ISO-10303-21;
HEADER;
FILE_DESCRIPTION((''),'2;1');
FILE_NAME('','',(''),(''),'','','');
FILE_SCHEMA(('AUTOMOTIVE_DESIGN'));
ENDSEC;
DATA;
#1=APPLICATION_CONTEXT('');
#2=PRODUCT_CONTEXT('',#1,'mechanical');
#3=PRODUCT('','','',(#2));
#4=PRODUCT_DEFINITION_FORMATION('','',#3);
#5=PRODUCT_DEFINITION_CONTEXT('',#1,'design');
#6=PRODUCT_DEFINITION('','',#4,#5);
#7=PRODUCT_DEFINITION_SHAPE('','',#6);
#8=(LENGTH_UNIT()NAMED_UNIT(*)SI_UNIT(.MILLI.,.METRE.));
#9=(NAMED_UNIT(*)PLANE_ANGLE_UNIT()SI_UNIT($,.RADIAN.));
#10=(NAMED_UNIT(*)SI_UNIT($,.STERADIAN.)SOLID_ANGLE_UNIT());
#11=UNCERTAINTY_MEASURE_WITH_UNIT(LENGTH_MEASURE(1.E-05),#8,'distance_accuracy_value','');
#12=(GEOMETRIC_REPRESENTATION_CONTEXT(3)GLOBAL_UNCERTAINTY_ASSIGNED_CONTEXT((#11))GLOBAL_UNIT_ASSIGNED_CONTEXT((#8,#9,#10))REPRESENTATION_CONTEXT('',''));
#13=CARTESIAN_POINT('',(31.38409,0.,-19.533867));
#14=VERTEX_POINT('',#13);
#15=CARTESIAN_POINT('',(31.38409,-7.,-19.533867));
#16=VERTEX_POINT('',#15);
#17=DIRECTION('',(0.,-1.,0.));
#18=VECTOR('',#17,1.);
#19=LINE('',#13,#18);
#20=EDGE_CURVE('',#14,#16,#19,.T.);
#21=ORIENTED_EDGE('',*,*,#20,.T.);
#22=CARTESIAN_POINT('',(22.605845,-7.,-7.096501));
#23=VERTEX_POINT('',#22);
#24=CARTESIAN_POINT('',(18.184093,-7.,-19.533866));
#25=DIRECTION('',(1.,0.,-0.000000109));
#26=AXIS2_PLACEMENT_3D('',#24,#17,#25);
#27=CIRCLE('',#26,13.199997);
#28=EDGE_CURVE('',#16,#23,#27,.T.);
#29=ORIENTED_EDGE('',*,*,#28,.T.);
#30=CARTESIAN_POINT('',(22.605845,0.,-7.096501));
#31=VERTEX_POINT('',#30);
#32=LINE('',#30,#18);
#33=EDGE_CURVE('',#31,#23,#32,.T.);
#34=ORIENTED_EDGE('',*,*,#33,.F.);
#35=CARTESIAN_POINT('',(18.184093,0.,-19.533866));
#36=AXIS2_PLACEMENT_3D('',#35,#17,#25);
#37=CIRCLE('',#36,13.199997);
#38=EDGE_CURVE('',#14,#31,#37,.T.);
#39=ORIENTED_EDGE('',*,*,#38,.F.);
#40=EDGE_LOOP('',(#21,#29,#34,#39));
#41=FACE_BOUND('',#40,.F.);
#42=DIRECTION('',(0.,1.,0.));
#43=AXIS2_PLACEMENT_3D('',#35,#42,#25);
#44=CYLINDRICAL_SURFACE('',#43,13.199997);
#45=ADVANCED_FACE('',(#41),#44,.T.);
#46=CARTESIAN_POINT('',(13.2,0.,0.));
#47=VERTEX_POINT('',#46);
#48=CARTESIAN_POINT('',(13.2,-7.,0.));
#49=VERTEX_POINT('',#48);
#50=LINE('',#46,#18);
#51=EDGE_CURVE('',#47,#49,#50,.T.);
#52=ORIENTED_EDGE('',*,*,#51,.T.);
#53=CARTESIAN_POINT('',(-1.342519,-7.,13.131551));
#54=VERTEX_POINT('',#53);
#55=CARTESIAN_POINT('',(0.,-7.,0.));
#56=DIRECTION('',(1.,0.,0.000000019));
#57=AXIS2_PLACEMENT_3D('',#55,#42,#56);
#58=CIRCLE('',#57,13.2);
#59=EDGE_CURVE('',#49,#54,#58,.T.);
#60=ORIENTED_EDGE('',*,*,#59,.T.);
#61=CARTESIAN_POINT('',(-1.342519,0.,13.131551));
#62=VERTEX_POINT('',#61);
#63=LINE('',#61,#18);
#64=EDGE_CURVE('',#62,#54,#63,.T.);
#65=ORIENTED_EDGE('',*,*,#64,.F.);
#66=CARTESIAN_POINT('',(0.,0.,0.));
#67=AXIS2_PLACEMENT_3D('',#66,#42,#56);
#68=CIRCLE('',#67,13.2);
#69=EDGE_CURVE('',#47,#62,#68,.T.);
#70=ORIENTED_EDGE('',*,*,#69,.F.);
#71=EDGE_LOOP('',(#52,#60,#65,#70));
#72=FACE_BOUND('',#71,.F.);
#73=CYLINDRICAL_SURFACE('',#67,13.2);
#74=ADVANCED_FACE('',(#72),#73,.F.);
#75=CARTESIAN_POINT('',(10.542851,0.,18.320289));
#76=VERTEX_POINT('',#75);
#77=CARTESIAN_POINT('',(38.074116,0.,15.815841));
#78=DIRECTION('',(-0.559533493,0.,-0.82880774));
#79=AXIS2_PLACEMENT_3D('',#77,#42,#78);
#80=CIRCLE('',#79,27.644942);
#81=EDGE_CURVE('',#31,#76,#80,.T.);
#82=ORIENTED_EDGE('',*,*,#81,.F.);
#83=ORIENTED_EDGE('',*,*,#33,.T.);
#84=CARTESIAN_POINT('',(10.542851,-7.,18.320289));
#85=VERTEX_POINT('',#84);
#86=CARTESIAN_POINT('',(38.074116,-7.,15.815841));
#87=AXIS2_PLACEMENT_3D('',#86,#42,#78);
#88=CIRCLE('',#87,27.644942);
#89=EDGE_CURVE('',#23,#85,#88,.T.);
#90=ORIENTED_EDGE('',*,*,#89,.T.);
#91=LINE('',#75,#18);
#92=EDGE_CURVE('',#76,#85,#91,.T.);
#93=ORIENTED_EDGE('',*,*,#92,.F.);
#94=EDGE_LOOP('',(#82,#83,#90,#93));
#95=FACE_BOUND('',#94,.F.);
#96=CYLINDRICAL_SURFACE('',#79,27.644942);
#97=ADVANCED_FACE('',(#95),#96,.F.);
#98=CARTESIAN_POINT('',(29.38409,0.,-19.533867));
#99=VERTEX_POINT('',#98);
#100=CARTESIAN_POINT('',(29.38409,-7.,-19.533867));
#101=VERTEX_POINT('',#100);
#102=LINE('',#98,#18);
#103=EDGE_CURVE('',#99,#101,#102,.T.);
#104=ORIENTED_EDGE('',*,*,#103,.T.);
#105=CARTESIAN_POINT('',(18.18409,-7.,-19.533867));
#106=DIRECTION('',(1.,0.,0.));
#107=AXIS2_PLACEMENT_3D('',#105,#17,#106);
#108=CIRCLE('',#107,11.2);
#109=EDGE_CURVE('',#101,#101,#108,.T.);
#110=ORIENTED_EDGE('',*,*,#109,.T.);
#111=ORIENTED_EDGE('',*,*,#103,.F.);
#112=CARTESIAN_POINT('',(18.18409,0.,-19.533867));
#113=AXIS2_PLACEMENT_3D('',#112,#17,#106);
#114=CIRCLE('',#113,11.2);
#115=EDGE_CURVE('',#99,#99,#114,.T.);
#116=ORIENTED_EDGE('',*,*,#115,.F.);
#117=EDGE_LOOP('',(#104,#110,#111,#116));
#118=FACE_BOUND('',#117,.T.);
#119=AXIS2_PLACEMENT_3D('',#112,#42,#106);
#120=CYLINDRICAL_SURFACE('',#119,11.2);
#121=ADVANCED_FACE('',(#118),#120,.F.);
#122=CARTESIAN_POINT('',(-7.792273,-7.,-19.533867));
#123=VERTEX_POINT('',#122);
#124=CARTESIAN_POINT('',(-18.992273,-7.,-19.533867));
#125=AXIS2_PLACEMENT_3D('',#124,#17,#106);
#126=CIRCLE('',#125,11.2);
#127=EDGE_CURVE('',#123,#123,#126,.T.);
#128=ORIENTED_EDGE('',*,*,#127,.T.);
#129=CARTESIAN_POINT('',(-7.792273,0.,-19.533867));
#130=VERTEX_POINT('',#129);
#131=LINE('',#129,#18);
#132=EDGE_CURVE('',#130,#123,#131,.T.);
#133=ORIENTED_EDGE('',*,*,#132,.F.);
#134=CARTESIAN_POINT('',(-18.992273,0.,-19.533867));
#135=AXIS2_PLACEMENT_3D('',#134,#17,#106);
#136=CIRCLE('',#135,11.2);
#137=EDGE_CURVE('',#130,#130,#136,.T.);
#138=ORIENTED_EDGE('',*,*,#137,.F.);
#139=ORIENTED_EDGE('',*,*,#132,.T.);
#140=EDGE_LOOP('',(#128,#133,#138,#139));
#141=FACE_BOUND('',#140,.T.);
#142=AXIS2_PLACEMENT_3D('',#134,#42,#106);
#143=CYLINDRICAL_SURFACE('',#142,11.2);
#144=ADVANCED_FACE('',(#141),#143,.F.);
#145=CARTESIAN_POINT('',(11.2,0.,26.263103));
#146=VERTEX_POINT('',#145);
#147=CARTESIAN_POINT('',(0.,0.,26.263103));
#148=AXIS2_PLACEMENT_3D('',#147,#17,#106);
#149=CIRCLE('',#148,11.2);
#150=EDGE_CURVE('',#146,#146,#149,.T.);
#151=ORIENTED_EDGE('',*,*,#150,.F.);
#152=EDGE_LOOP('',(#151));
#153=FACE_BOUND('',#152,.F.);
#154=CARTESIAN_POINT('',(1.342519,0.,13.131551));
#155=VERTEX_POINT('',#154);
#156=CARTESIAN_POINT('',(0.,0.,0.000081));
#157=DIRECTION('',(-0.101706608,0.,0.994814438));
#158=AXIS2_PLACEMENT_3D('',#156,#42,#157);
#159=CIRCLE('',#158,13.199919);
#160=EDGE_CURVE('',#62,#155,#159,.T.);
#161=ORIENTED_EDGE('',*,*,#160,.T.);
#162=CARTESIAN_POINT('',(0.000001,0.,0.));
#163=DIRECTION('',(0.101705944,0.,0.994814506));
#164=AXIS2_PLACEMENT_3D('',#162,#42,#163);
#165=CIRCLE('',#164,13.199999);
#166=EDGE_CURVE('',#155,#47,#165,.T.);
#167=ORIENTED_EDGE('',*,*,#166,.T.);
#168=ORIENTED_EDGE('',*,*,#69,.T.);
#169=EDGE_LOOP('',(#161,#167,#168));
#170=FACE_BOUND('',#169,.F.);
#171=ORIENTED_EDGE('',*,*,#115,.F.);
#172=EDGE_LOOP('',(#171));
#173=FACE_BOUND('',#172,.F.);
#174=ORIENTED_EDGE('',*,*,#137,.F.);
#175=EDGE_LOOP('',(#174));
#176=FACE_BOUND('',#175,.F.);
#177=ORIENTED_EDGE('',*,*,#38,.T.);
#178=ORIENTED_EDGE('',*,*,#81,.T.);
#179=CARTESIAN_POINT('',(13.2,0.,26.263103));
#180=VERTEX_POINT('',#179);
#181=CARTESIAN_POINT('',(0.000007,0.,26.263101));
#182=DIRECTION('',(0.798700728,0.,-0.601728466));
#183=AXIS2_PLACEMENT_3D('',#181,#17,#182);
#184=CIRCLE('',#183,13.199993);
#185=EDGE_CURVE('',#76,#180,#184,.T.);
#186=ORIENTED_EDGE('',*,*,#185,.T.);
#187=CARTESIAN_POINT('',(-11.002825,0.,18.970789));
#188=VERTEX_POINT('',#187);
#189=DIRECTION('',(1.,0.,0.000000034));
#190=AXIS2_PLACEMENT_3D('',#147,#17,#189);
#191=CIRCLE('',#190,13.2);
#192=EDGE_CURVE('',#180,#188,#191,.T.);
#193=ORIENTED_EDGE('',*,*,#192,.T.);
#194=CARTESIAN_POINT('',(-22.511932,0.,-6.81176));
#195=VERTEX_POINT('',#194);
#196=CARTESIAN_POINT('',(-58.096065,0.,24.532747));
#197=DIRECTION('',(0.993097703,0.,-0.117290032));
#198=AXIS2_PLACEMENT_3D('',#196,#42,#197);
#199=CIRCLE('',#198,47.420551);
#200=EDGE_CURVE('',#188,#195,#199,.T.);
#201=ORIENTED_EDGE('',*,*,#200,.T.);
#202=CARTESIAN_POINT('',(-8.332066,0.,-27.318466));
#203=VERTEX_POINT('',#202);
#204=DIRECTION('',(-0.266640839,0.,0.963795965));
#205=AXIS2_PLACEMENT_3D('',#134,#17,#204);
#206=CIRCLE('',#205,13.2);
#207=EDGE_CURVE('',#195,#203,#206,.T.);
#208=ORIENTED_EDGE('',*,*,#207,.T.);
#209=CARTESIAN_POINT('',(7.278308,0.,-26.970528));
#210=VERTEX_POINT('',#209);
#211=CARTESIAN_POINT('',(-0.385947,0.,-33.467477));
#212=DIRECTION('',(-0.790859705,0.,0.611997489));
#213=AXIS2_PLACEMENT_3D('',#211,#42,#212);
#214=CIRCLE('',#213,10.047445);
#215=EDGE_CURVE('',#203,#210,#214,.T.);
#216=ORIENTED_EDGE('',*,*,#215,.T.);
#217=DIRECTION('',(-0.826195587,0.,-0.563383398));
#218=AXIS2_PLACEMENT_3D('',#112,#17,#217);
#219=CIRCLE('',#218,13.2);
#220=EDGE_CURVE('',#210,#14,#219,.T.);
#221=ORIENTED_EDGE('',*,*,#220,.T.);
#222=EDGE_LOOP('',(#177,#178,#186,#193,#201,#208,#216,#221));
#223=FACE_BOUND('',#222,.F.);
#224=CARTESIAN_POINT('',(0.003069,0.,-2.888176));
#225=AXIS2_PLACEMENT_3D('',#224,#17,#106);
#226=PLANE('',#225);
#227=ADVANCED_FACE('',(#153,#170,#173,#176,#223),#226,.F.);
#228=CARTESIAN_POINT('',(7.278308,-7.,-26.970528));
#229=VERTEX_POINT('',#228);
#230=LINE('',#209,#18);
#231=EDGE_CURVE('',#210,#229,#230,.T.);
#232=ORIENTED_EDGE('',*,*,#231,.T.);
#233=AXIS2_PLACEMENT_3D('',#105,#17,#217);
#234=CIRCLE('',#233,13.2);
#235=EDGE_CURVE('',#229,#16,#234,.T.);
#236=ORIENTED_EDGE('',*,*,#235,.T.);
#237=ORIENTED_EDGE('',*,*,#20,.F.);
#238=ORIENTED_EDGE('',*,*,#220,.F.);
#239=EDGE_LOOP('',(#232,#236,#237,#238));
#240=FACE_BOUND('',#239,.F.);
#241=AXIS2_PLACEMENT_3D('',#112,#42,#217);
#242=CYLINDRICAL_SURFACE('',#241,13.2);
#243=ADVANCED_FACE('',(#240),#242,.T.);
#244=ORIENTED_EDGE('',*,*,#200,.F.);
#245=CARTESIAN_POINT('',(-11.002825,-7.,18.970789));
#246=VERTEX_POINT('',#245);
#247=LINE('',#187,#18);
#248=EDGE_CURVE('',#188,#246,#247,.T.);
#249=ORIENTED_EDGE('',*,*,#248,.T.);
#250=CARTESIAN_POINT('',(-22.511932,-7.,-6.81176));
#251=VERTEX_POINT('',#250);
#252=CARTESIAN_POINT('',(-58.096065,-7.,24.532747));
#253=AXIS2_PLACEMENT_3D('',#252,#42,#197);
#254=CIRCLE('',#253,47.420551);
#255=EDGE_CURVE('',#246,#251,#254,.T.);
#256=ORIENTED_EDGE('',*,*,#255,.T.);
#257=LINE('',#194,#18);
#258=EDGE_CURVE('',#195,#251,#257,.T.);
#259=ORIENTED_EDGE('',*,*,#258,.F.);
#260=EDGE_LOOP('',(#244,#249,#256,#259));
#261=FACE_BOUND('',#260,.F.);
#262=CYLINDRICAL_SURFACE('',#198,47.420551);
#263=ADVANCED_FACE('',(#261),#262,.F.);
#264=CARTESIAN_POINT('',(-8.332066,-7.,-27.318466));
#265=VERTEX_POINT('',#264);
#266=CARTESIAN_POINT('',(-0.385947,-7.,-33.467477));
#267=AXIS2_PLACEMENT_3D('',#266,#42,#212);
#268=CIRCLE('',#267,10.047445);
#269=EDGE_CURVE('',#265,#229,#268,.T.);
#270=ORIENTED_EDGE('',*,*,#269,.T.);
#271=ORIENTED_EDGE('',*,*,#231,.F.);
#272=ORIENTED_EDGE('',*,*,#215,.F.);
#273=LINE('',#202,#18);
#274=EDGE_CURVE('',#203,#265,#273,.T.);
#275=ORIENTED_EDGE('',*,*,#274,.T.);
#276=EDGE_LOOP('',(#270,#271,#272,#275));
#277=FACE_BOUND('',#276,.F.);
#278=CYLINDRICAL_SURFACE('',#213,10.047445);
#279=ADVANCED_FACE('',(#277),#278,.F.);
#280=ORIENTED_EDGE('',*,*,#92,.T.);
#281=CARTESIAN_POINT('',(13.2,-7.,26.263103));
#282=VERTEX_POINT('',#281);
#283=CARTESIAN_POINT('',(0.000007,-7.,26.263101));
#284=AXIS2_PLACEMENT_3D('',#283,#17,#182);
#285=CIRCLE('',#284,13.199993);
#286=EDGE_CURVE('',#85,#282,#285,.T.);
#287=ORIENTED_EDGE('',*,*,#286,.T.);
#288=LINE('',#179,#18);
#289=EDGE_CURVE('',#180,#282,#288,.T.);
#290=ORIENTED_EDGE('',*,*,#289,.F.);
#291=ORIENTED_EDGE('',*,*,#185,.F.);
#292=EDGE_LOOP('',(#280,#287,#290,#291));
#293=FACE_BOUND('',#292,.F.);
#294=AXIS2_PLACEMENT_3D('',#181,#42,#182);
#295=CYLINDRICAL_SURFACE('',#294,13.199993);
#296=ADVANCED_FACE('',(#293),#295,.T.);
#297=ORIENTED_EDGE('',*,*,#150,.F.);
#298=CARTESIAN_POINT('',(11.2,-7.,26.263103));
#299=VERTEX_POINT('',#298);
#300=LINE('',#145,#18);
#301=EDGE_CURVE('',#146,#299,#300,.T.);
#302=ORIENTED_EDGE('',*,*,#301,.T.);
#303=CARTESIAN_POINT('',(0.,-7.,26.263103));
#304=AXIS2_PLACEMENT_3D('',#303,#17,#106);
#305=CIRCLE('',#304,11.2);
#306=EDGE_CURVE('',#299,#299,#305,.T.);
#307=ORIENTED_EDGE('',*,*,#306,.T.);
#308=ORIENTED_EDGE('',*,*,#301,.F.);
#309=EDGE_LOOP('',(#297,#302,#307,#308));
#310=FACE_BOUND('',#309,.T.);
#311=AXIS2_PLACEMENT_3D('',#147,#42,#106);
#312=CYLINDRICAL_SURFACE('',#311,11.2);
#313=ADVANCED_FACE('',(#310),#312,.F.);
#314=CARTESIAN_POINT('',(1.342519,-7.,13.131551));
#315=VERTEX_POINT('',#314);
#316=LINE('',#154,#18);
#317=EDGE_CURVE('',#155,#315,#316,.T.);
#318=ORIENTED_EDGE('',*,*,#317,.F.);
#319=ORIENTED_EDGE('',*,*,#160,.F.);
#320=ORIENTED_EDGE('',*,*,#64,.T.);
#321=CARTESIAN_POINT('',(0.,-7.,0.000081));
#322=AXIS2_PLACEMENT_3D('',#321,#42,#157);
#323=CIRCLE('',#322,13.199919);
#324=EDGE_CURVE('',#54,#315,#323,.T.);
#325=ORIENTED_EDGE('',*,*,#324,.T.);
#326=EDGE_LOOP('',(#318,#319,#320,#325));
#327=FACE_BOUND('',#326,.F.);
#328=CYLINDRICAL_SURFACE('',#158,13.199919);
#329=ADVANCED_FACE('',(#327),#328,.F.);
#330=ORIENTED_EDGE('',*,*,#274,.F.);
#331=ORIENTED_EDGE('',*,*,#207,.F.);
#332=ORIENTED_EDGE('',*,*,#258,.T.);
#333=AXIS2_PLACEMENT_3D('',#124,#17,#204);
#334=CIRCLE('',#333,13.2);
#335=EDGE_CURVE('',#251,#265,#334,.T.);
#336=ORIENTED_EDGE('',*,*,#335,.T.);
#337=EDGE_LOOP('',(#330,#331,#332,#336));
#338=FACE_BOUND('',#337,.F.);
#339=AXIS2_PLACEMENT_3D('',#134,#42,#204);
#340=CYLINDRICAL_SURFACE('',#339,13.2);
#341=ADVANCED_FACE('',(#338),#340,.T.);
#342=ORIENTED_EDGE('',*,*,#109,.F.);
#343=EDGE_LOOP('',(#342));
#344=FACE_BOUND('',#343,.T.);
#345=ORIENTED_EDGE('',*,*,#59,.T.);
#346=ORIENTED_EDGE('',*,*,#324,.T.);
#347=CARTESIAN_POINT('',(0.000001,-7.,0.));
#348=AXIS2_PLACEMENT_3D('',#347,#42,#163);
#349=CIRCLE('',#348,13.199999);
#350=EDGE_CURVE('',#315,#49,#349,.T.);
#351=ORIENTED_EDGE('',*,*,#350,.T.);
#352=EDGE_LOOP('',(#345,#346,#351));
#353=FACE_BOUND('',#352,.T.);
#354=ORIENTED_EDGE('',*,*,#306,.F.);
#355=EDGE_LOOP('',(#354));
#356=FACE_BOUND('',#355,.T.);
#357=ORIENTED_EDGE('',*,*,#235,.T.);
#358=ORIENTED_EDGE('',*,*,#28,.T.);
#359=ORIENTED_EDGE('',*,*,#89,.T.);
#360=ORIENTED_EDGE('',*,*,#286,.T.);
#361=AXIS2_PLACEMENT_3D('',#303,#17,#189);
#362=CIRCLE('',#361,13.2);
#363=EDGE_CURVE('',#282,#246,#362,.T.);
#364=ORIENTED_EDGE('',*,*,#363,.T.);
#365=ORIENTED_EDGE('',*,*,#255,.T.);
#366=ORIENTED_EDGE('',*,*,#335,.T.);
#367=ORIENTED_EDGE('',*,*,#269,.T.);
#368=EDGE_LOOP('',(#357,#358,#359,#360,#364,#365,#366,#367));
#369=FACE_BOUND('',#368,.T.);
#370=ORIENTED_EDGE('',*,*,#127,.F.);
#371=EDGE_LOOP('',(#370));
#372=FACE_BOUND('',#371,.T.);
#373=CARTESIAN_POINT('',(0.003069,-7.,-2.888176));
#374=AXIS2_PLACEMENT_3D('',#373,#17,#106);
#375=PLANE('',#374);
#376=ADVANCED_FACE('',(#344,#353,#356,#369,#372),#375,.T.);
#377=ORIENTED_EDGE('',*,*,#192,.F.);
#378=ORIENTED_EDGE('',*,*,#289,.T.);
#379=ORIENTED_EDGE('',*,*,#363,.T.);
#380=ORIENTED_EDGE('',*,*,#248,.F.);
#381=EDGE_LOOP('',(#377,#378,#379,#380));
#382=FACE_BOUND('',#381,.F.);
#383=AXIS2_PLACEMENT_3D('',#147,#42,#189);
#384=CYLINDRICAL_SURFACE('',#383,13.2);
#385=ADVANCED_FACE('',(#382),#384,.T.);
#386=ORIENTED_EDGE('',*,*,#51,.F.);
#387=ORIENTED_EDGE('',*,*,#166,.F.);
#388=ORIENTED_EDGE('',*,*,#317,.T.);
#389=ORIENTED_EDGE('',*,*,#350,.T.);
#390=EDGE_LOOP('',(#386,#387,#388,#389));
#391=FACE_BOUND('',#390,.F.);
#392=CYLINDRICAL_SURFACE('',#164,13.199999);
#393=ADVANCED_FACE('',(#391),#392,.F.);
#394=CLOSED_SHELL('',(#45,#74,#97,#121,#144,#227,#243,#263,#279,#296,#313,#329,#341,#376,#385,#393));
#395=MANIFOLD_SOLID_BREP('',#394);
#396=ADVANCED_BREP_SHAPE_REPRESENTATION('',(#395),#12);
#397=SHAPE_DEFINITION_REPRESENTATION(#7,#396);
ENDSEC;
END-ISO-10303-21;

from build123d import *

# Parameters (mm, degrees)
F0_R     = 11.2
F1_DEPTH = 7


with BuildPart() as f1:
    # F0 (on Front) → F1 (new body)
    with BuildSketch(Plane.XZ):
        with BuildLine():
            ThreePointArc((1.342519, 13.131551), (9.79697, 8.846433), (13.2, 0))
            ThreePointArc((13.2, 0), (-8.846433, -9.79697), (-1.342519, 13.131551))
            ThreePointArc((-1.342519, 13.131551), (-6.828327, 14.966469), (-11.002825, 18.970789))
            ThreePointArc((-11.002825, 18.970789), (-14.793964, 5.203063), (-22.511932, -6.81176))
            ThreePointArc((-22.511932, -6.81176), (-10.999135, -9.029118), (-5.792273, -19.533867))
            ThreePointArc((-5.792273, -19.533867), (-6.443274, -23.628086), (-8.332066, -27.318466))
            ThreePointArc((-8.332066, -27.318466), (-0.609837, -23.422527), (7.278308, -26.970528))
            ThreePointArc((7.278308, -26.970528), (7.731584, -11.472533), (22.605845, -7.096501))
            ThreePointArc((22.605845, -7.096501), (13.099262, 3.962593), (10.542851, 18.320289))
            ThreePointArc((10.542851, 18.320289), (6.484308, 14.765549), (1.342519, 13.131551))
        make_face()
        with BuildLine():
            ThreePointArc((-1.342519, 13.131551), (0, 13.2), (1.342519, 13.131551))
            ThreePointArc((1.342519, 13.131551), (6.484308, 14.765549), (10.542851, 18.320289))
            ThreePointArc((10.542851, 18.320289), (12.5181, 22.075361), (13.2, 26.263103))
            ThreePointArc((13.2, 26.263103), (-3.808064, 38.901878), (-11.002825, 18.970789))
            ThreePointArc((-11.002825, 18.970789), (-6.828327, 14.966469), (-1.342519, 13.131551))
        make_face()
        with Locations((0, 26.263103)):
            Circle(F0_R, mode=Mode.SUBTRACT)
        with BuildLine():
            ThreePointArc((31.38409, -19.533867), (28.968504, -11.922269), (22.605845, -7.096501))
            ThreePointArc((22.605845, -7.096501), (7.731584, -11.472533), (7.278308, -26.970528))
            ThreePointArc((7.278308, -26.970528), (22.075342, -32.147279), (31.38409, -19.533867))
        make_face()
        with Locations((18.18409, -19.533867)):
            Circle(F0_R, mode=Mode.SUBTRACT)
        with BuildLine():
            ThreePointArc((-5.792273, -19.533867), (-10.999135, -9.029118), (-22.511932, -6.81176))
            ThreePointArc((-22.511932, -6.81176), (-29.849441, -27.041323), (-8.332066, -27.318466))
            ThreePointArc((-8.332066, -27.318466), (-6.443274, -23.628086), (-5.792273, -19.533867))
        make_face()
        with Locations((-18.992273, -19.533867)):
            Circle(F0_R, mode=Mode.SUBTRACT)
    extrude(amount=F1_DEPTH)


solid = f1.part
